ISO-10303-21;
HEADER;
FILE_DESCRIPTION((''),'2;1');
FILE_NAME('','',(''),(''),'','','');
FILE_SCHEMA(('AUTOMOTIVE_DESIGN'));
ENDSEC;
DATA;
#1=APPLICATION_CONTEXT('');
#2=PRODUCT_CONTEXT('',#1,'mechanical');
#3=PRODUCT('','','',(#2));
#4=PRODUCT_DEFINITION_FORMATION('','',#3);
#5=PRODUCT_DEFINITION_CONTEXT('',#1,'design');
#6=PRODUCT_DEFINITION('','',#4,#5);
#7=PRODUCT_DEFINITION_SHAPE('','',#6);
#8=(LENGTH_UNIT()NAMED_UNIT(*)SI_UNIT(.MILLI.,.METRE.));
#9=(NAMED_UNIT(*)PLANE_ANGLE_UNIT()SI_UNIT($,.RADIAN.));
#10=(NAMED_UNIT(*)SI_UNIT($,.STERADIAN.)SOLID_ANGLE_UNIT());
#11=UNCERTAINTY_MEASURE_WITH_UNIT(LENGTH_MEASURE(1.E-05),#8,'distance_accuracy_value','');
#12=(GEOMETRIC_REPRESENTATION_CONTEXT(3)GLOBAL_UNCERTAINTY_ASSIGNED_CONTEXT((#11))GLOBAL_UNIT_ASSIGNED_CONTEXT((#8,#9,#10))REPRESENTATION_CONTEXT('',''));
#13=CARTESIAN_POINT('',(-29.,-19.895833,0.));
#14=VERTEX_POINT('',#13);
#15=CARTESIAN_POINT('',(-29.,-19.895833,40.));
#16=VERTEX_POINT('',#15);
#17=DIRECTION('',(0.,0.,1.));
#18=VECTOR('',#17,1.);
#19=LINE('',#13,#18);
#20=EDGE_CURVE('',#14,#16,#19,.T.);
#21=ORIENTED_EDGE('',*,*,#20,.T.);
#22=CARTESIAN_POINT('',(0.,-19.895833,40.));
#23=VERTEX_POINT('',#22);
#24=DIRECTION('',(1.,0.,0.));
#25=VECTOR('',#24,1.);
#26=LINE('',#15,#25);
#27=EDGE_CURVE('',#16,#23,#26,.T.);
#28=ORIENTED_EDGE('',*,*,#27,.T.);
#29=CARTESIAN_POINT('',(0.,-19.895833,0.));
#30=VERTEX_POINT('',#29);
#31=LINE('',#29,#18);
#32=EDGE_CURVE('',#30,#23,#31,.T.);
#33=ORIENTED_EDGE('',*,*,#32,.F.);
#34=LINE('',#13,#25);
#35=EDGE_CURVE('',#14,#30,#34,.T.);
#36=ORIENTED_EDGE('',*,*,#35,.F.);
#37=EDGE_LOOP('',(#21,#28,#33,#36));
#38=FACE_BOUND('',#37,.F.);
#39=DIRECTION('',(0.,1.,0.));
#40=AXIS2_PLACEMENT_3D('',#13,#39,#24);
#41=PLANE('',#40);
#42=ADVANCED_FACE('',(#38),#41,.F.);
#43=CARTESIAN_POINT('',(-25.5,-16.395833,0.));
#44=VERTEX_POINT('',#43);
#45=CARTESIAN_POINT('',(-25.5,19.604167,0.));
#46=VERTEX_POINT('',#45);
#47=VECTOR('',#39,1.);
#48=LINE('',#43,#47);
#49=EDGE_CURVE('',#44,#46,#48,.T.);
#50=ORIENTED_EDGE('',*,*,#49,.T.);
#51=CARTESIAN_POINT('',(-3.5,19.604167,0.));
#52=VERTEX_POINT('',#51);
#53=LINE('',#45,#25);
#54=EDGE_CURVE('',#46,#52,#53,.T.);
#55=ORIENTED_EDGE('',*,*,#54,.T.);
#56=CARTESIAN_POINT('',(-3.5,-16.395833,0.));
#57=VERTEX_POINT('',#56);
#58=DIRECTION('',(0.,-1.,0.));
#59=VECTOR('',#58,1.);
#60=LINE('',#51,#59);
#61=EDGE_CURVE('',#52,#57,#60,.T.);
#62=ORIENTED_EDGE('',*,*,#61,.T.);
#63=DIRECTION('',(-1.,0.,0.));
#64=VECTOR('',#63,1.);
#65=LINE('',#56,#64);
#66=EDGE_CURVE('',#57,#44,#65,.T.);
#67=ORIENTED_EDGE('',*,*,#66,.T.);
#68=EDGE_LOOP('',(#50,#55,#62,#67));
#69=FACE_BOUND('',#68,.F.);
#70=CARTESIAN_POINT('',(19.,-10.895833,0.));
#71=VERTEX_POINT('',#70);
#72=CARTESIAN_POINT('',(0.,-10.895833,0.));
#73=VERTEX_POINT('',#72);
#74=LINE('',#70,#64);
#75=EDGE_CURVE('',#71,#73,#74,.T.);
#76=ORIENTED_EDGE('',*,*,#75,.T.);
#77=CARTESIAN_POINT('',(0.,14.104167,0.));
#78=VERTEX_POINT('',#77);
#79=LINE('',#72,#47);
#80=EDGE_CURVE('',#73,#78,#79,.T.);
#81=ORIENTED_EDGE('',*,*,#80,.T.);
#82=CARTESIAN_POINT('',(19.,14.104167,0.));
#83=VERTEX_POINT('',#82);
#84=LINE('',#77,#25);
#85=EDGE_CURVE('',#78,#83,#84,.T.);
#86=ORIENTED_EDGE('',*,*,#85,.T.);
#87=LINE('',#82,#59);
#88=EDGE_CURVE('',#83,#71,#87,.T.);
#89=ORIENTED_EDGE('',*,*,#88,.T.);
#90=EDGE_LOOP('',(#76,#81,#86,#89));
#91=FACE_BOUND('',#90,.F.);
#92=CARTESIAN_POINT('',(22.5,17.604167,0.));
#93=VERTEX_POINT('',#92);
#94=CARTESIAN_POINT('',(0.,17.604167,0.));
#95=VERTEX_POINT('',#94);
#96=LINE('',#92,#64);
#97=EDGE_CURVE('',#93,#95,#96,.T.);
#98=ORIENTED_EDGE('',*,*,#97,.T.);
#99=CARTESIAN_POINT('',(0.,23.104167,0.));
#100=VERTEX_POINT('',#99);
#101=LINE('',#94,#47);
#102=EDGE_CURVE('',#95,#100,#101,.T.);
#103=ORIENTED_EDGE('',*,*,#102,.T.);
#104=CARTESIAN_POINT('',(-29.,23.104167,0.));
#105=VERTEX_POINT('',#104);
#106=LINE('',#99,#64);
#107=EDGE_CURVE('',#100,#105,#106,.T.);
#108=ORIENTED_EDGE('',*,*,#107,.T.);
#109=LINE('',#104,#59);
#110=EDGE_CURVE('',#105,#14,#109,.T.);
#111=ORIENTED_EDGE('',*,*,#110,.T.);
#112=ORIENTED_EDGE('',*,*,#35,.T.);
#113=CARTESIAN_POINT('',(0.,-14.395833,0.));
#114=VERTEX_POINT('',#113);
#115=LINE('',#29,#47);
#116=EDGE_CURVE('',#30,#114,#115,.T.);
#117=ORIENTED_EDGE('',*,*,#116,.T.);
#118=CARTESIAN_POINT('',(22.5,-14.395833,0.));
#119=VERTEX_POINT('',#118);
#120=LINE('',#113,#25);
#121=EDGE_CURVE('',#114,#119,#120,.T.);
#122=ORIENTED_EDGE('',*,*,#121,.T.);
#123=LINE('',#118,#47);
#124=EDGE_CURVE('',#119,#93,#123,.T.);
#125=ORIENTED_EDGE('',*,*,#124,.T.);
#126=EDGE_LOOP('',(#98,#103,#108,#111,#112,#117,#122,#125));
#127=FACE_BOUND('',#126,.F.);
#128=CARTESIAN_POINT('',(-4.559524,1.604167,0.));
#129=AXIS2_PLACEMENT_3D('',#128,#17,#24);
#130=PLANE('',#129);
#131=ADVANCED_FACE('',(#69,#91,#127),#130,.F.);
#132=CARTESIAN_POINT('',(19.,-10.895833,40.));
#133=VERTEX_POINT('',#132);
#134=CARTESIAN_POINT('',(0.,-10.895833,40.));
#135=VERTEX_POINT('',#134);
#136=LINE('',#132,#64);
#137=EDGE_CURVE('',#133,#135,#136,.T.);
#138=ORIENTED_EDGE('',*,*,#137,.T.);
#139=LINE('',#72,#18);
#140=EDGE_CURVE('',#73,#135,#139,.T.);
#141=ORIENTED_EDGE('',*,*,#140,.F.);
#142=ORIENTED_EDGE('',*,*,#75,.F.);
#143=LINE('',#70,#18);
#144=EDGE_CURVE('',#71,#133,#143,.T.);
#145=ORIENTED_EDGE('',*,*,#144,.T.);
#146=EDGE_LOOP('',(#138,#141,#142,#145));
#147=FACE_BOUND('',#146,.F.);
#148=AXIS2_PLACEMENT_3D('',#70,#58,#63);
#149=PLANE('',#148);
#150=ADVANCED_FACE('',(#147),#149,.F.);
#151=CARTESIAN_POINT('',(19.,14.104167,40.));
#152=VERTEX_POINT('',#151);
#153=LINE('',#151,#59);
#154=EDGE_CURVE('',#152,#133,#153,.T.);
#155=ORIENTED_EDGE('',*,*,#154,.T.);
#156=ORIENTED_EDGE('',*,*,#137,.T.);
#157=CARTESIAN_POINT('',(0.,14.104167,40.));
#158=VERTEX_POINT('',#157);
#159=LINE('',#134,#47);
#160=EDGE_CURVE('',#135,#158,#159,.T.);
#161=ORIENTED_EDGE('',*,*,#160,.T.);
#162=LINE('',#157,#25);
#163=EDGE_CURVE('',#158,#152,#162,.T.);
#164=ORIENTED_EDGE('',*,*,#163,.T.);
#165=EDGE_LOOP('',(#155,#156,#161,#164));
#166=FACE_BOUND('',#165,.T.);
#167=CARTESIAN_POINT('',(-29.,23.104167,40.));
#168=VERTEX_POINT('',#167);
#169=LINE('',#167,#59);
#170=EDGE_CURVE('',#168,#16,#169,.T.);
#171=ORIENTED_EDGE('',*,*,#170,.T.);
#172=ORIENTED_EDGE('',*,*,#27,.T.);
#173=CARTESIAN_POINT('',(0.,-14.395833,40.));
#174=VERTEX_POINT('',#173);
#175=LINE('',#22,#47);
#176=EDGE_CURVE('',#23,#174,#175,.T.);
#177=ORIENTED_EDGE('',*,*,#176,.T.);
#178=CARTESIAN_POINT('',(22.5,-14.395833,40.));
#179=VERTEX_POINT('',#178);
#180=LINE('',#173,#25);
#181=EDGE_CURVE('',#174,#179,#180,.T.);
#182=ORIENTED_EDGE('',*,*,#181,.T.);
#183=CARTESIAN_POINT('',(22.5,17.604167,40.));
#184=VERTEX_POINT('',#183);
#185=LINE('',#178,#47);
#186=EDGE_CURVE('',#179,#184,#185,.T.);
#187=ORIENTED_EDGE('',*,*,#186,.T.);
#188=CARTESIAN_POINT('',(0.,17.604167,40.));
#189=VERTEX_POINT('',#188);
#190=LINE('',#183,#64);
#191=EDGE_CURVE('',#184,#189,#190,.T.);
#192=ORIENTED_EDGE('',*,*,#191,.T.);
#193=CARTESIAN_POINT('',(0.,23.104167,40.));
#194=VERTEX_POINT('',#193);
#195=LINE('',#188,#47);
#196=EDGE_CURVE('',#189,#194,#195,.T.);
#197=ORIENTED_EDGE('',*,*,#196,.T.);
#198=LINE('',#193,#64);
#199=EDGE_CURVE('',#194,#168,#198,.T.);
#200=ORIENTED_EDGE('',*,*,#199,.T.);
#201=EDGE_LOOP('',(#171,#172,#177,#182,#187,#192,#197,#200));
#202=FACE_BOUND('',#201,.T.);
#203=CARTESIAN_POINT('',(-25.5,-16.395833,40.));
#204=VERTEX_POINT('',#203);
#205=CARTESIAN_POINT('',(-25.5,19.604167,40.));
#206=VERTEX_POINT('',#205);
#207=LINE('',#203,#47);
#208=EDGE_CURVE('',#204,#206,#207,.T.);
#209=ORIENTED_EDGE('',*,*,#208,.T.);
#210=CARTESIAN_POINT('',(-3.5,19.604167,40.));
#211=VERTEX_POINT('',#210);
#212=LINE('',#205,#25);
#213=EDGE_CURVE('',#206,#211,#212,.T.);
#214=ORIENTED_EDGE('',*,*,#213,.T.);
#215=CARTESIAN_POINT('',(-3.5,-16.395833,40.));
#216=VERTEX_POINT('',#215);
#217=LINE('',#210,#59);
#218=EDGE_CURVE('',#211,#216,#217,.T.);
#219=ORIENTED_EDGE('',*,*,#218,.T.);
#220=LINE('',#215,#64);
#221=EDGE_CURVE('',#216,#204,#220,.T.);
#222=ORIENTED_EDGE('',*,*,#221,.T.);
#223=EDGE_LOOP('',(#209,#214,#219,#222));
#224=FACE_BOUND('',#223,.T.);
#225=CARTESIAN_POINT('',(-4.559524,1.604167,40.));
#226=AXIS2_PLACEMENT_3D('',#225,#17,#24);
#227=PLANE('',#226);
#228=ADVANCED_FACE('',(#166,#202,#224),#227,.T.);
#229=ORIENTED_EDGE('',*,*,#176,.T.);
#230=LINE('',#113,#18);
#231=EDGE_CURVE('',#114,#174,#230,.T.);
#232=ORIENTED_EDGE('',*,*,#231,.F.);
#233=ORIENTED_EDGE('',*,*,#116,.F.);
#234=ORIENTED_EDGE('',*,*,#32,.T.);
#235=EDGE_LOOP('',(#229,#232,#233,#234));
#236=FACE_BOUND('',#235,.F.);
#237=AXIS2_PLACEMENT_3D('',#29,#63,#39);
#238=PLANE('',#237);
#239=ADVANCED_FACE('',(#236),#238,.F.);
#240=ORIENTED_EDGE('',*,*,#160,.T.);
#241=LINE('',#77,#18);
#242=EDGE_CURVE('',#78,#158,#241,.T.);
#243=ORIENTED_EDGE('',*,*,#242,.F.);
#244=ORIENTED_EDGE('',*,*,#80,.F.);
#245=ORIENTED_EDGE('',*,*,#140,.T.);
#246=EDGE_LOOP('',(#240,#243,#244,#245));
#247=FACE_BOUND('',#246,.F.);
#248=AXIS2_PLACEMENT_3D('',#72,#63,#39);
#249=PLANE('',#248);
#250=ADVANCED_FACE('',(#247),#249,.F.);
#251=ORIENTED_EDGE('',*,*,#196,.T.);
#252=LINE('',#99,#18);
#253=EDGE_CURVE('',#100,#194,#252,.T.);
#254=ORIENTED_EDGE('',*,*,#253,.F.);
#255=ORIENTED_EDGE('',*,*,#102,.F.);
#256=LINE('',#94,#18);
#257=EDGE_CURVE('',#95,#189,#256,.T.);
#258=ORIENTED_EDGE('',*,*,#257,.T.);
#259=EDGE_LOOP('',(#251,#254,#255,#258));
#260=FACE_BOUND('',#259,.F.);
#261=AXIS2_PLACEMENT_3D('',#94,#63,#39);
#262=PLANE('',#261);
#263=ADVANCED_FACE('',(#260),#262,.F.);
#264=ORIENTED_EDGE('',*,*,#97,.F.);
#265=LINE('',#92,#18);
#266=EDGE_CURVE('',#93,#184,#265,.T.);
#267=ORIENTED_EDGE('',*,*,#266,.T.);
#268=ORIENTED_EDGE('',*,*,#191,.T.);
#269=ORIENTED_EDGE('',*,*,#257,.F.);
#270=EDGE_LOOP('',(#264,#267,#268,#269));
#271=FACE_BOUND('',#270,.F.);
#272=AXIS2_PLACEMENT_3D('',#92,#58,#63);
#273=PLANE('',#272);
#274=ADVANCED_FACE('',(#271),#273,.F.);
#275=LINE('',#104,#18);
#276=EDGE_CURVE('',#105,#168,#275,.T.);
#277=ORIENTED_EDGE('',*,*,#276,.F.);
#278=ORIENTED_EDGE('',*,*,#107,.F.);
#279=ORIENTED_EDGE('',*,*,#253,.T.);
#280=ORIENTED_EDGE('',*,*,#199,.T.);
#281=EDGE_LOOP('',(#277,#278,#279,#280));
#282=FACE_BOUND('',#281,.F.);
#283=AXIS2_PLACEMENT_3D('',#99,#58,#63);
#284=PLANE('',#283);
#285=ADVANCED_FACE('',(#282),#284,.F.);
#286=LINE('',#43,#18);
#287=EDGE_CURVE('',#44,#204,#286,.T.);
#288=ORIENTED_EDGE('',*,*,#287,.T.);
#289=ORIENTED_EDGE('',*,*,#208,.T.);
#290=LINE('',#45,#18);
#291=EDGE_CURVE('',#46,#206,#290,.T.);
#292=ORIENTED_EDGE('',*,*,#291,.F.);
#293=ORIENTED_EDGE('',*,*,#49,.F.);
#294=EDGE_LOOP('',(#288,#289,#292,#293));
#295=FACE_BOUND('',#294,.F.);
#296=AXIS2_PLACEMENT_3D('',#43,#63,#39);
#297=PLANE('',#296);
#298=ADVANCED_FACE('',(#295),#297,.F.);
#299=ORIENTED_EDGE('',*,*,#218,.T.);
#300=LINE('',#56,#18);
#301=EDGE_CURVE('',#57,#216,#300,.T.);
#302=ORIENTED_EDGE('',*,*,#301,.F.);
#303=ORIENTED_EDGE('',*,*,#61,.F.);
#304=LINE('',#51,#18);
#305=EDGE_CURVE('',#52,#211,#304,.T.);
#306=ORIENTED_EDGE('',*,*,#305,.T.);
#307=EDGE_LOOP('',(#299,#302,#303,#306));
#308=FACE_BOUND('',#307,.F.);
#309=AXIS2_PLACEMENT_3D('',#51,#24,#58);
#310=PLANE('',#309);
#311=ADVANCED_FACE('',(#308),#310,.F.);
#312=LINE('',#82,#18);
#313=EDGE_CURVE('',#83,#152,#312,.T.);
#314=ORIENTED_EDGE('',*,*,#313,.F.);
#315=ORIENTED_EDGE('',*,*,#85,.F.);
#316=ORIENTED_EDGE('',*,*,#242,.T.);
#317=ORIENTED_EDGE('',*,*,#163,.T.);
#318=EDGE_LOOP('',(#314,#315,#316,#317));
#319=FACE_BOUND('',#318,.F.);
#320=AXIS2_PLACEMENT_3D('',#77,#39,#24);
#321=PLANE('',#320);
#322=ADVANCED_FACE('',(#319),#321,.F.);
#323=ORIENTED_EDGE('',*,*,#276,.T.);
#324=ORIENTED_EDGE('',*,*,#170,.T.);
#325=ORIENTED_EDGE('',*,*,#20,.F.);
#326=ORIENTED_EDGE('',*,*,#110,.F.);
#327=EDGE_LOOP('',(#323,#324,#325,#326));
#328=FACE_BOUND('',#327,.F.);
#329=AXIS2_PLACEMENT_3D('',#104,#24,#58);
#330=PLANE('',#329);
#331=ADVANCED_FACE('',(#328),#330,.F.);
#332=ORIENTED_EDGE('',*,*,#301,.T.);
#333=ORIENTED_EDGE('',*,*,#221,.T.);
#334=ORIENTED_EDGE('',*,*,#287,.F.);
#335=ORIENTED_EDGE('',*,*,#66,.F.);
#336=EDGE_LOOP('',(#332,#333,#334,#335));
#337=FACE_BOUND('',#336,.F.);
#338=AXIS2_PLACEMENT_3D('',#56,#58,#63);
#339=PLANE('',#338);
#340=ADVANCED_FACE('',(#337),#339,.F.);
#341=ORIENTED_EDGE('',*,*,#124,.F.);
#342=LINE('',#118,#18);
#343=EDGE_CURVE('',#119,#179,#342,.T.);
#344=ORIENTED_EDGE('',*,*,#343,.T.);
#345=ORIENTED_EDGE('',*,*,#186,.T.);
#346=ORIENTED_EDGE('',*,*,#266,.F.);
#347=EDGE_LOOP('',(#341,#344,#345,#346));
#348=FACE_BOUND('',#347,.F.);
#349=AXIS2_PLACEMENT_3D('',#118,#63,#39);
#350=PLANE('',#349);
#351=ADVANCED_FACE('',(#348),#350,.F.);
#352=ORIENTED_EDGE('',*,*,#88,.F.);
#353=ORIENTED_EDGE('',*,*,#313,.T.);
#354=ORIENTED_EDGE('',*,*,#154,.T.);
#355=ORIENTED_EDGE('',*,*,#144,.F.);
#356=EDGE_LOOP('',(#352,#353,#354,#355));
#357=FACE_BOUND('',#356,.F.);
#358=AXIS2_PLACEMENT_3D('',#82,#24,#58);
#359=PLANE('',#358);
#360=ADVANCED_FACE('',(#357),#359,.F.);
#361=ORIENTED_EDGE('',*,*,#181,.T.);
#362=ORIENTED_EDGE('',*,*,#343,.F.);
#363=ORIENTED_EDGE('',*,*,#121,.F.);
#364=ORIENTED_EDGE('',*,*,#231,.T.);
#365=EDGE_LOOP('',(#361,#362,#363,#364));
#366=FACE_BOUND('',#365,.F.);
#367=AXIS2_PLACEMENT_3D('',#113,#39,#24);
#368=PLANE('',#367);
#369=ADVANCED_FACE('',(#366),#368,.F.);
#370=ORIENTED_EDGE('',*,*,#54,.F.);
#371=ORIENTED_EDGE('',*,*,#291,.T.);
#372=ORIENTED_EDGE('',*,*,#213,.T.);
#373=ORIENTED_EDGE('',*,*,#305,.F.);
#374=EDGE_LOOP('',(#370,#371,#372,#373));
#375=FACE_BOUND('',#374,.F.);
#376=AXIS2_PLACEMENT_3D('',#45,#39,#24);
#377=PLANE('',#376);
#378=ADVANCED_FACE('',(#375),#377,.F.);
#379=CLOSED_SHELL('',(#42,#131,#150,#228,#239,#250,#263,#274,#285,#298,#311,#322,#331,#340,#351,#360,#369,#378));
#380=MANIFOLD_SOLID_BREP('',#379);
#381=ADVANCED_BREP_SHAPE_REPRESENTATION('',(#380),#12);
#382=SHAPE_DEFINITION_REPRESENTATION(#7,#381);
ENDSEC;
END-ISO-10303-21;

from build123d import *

# Parameters (mm, degrees)
F1_DEPTH = 40


with BuildPart() as f1:
    # F0 (on Top) → F1 (new body)
    with BuildSketch(Plane.XY):
        Polygon((22.5, 17.604167), (0, 17.604167), (0, 22.416667), (0, 23.104167), (-3.5, 23.104167), (-25.5, 23.104167), (-29, 23.104167), (-29, 19.604167), (-29, -8.020833), (-29, -16.395833), (-29, -19.895833), (-25.5, -19.895833), (-3.5, -19.895833), (0, -19.895833), (0, -14.395833), (22.5, -14.395833), align=None)
        Polygon((-3.5, 17.604167), (-3.5, -14.395833), (-3.5, -16.395833), (-25.5, -16.395833), (-25.5, -8.020833), (-25.5, 11.229167), (-25.5, 19.604167), (-3.5, 19.604167), align=None, mode=Mode.SUBTRACT)
        Polygon((19, -10.895833), (0, -10.895833), (0, -10.883333), (0, -8.770833), (0, 14.104167), (19, 14.104167), align=None, mode=Mode.SUBTRACT)
    extrude(amount=F1_DEPTH)


solid = f1.part
